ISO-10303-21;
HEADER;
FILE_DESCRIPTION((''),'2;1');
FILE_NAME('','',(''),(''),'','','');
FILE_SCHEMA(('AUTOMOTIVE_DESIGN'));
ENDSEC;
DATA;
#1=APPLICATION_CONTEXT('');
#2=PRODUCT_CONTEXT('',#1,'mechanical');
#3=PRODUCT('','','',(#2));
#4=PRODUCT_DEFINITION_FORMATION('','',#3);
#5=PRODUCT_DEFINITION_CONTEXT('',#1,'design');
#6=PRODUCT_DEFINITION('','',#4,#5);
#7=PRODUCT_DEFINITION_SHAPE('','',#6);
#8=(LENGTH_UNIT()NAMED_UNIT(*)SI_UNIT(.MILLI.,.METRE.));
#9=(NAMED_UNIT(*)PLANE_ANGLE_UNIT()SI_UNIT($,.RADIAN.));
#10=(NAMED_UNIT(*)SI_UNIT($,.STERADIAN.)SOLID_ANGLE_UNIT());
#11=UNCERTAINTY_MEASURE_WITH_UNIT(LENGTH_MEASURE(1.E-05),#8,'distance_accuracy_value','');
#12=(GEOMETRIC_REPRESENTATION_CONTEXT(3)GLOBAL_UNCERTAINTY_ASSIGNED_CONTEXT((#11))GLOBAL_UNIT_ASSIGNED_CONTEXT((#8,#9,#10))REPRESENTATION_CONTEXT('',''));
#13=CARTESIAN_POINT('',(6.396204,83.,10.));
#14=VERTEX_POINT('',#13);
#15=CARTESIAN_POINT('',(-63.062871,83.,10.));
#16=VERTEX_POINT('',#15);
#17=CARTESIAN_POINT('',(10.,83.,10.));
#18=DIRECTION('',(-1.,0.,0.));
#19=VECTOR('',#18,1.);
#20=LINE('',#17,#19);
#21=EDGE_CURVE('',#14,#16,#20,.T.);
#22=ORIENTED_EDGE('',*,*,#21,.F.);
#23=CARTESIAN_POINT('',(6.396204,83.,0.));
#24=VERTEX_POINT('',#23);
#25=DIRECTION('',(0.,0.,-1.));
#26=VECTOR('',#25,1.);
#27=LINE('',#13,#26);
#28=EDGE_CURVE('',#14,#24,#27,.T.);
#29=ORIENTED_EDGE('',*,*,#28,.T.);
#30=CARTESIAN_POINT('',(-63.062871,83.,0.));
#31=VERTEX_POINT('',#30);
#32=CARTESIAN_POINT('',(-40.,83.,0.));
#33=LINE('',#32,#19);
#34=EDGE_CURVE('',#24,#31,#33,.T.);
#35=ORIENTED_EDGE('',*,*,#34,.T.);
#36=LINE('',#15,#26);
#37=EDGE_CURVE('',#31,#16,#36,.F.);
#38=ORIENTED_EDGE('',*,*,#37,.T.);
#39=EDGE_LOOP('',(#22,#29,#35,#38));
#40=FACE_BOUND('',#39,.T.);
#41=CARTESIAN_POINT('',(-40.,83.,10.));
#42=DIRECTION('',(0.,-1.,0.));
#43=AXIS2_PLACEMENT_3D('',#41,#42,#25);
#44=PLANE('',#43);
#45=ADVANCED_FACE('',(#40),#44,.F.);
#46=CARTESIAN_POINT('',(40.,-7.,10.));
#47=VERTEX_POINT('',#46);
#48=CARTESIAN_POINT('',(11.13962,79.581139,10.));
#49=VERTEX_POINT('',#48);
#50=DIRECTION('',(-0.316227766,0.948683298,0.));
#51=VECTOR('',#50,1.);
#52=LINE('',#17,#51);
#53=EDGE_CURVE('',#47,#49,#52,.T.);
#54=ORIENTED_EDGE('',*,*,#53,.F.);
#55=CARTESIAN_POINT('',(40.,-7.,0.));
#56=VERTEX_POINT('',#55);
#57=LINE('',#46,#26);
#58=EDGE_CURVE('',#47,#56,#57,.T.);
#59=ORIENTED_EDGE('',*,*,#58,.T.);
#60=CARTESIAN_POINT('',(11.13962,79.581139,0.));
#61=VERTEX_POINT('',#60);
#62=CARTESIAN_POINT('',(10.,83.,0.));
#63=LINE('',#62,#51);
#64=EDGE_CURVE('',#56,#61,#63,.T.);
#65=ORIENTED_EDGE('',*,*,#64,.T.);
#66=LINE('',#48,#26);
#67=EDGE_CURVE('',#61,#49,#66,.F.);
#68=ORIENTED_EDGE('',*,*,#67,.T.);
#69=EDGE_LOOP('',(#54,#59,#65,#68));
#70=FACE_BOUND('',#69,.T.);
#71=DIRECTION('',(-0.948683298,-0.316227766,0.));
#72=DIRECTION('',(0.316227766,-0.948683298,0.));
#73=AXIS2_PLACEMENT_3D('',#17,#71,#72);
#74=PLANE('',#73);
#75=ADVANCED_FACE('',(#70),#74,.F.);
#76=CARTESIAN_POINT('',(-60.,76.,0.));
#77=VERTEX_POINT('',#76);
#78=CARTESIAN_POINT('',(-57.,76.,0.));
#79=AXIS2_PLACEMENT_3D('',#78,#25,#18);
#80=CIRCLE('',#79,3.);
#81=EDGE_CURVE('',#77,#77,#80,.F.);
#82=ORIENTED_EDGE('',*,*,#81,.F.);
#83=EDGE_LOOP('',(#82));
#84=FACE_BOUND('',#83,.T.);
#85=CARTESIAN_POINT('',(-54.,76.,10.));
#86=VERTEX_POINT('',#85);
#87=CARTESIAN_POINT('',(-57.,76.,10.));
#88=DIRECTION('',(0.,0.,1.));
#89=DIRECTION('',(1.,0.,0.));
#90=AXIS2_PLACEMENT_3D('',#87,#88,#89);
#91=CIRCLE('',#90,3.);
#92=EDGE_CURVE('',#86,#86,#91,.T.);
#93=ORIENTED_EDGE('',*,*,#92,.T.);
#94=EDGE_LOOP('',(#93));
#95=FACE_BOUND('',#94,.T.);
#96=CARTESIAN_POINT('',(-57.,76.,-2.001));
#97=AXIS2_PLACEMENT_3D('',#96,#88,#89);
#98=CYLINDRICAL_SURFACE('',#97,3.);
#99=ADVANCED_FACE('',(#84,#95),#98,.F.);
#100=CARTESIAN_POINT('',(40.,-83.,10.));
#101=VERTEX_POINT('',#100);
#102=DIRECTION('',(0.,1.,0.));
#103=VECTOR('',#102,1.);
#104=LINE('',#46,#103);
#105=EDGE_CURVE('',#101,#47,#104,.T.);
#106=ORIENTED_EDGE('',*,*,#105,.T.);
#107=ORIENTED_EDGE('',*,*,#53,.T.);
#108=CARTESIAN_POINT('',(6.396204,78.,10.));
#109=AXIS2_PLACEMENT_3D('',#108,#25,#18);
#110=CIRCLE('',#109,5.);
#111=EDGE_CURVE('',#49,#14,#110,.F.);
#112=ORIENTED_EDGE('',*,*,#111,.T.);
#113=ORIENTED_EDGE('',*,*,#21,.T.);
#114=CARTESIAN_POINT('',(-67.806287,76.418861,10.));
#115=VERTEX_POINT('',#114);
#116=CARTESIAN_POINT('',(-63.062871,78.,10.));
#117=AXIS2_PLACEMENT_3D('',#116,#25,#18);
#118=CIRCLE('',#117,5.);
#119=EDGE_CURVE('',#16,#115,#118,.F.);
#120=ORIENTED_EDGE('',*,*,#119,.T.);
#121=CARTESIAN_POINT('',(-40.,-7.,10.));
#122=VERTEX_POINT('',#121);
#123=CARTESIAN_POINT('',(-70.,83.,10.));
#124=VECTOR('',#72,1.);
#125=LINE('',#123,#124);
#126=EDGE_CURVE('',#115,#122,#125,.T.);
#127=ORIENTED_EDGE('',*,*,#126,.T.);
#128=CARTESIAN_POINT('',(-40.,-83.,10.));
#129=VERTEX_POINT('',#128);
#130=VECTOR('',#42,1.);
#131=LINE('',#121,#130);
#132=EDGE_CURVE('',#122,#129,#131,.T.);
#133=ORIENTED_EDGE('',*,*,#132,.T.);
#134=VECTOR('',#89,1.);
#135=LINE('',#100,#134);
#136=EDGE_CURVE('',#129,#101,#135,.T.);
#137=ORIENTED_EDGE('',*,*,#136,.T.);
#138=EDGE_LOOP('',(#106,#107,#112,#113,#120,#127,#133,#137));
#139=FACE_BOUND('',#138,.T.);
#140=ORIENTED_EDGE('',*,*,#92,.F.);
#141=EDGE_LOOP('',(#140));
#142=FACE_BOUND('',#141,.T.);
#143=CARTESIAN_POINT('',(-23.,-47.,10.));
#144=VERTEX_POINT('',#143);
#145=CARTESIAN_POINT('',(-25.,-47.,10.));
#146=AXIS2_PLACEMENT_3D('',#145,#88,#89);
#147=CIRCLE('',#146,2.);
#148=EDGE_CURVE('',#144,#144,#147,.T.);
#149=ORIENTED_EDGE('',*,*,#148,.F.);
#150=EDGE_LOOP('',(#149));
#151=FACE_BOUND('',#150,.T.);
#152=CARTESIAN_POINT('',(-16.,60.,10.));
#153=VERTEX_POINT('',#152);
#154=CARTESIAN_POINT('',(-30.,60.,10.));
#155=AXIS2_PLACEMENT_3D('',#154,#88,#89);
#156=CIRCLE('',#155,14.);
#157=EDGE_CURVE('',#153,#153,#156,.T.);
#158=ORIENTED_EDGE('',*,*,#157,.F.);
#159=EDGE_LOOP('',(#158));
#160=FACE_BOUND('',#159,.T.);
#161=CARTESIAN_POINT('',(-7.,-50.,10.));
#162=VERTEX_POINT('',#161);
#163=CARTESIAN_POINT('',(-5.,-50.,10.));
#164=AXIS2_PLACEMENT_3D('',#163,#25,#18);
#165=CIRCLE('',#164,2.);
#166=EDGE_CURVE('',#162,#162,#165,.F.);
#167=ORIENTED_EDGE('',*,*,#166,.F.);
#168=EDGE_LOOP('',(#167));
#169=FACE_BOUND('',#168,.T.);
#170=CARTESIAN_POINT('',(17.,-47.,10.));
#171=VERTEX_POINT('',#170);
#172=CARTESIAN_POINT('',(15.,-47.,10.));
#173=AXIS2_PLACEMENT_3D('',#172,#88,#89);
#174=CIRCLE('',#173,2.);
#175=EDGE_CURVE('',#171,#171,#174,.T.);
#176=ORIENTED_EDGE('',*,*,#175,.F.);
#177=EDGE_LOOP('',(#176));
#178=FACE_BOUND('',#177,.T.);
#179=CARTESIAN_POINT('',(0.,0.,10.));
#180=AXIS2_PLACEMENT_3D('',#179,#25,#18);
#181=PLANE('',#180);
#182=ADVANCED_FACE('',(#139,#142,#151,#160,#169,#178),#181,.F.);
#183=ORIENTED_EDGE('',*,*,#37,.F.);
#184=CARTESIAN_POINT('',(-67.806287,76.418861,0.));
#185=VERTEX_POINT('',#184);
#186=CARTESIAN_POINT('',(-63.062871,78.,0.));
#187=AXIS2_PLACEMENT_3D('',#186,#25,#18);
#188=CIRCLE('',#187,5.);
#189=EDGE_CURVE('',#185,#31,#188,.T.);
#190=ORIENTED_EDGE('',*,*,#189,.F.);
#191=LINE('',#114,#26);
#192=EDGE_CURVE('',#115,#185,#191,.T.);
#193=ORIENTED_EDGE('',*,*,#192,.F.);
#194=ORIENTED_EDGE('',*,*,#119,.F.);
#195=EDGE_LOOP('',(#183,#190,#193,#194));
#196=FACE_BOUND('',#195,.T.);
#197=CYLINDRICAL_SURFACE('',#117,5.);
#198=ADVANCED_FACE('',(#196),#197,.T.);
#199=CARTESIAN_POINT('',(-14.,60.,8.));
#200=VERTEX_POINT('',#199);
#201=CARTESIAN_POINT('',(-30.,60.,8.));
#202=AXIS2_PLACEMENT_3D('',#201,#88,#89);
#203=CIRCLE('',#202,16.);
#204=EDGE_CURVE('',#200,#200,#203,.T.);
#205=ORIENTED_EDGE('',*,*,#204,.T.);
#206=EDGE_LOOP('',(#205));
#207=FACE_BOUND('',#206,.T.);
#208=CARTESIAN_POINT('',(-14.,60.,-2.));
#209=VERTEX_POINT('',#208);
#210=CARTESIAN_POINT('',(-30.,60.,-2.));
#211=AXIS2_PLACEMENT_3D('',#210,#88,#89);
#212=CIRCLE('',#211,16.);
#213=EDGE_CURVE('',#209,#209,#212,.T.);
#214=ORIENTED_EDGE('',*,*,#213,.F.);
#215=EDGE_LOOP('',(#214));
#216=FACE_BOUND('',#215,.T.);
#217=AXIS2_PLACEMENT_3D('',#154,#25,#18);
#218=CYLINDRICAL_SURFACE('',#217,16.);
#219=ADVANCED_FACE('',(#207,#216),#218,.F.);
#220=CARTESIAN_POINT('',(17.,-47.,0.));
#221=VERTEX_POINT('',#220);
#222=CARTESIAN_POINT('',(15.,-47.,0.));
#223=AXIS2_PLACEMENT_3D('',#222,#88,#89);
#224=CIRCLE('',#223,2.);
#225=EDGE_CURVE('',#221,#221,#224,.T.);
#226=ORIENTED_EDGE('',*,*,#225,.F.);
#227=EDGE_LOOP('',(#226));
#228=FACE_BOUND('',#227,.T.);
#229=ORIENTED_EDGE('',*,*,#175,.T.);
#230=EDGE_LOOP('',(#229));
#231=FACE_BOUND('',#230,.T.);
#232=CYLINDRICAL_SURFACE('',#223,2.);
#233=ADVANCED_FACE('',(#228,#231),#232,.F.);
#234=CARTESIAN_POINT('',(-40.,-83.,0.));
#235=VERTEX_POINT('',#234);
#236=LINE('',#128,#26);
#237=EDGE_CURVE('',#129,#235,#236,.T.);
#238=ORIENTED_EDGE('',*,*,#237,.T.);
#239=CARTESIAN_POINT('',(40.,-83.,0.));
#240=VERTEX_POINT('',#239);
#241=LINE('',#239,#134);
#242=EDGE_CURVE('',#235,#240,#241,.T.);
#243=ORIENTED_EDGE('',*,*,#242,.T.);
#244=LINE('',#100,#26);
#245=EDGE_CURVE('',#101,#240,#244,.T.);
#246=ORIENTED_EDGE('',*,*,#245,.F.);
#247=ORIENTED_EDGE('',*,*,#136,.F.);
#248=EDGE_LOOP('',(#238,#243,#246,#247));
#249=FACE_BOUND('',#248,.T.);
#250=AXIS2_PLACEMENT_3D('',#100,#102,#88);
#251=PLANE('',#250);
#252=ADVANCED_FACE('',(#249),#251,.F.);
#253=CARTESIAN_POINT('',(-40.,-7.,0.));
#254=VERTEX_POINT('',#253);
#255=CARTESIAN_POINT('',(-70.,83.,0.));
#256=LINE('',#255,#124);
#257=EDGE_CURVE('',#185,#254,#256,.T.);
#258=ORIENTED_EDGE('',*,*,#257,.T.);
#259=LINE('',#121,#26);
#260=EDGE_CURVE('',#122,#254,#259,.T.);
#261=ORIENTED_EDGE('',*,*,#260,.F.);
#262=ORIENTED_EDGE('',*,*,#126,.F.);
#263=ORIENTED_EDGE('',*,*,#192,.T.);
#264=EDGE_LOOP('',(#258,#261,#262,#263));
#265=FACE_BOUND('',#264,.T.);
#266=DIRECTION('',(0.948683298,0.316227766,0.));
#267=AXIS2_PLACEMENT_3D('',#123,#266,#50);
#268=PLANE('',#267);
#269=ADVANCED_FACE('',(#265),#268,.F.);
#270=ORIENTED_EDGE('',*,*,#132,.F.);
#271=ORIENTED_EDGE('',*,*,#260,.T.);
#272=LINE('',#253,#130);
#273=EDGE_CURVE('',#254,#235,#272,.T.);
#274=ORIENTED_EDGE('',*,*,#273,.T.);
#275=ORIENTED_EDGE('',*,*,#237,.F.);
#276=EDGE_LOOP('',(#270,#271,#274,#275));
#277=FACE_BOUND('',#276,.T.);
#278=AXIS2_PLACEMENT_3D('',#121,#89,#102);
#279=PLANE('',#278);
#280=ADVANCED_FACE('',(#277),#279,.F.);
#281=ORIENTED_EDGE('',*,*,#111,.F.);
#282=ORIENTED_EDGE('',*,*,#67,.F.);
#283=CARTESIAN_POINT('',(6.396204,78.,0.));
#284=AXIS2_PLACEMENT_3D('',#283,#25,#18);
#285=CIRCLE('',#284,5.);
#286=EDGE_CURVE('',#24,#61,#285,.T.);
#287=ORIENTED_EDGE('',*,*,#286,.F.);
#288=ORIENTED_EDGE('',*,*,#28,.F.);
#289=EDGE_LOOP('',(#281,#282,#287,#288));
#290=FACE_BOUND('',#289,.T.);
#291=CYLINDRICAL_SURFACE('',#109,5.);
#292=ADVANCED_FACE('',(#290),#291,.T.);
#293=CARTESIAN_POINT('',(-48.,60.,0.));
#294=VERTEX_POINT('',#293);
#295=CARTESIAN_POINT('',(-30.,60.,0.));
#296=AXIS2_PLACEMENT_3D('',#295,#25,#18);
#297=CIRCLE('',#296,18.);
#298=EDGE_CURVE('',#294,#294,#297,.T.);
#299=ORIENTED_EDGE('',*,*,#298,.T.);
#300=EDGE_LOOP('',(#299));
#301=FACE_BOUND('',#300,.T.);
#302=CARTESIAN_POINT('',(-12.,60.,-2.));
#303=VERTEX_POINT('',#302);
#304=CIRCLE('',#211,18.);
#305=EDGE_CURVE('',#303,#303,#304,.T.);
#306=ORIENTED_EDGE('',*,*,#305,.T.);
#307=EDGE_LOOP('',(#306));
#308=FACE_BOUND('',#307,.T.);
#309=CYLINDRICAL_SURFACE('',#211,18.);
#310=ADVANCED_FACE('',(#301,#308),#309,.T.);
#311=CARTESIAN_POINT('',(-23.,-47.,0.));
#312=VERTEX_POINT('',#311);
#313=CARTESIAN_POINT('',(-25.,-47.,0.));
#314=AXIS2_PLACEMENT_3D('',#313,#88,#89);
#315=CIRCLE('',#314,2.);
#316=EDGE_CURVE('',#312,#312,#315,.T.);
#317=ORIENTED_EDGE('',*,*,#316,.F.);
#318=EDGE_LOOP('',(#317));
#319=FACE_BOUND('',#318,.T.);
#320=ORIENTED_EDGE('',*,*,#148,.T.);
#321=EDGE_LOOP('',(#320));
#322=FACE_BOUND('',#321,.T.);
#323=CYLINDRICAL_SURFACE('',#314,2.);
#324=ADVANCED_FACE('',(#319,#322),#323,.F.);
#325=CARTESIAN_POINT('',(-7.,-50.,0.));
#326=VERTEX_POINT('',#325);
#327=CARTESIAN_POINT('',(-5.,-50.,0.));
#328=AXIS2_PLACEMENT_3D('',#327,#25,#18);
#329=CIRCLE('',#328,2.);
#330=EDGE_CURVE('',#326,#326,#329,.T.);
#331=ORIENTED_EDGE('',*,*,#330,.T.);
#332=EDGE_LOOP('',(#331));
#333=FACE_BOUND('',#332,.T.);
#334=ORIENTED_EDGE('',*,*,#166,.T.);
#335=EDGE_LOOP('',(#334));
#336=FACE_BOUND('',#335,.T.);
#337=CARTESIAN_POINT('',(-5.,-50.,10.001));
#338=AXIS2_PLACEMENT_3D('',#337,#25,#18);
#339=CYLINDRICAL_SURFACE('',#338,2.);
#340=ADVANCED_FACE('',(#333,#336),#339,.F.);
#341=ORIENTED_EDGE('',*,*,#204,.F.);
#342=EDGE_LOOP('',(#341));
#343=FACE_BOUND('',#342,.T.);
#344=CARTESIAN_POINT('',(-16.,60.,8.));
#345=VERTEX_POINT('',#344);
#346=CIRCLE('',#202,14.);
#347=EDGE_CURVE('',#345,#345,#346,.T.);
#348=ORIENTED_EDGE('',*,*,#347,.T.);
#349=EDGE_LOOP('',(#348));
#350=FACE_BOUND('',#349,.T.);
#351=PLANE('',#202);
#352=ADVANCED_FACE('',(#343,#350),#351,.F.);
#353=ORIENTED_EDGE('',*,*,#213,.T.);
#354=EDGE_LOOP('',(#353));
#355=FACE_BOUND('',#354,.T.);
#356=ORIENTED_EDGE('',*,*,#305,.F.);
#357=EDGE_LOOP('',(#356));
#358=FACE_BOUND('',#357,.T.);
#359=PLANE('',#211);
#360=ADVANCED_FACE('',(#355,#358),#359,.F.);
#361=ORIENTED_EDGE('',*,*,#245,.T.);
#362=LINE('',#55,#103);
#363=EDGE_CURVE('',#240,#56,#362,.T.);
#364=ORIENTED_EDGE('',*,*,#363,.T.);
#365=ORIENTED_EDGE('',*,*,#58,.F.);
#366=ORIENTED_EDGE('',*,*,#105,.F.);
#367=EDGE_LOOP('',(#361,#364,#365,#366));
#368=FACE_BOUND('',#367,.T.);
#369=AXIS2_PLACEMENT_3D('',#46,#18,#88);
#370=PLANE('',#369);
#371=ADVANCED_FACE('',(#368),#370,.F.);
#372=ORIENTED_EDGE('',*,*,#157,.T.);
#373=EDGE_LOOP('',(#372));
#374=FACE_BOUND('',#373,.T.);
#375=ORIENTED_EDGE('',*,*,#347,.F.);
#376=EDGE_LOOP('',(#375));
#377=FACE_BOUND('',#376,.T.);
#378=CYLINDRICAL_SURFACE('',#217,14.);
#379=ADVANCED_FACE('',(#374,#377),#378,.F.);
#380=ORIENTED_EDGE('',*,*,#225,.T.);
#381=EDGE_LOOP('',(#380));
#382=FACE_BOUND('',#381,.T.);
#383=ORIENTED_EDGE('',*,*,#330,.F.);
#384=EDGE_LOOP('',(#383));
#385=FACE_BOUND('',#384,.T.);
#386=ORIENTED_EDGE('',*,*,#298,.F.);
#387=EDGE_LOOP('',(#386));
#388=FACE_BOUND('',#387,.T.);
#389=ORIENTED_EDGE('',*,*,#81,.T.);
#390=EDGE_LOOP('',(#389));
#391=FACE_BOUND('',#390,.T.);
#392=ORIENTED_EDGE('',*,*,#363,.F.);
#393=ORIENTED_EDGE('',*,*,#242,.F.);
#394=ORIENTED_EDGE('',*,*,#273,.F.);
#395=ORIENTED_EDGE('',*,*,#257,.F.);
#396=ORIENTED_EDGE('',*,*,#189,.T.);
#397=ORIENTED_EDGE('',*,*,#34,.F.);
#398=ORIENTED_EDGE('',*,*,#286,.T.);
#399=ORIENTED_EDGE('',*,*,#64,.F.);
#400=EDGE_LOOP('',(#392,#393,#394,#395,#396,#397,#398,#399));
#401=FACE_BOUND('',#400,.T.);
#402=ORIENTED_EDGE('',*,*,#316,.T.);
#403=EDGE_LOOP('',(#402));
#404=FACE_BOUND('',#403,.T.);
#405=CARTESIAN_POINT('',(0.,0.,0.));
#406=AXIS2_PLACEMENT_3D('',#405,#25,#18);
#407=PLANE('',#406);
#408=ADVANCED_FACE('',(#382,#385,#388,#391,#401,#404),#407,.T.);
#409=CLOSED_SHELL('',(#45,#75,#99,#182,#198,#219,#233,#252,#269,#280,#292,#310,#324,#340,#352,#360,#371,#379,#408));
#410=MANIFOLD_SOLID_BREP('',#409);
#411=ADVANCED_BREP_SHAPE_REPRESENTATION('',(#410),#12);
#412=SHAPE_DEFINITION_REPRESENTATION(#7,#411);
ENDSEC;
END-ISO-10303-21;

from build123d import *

# Parameters (mm, degrees)
SKETCH1_R           = 16
BOSS_EXTRUDE1_DEPTH = 10
SKETCH2_R           = 18
SKETCH2_R_2         = 16
BOSS_EXTRUDE2_DEPTH = 12
SKETCH3_R           = 2
CUT_EXTRUDE1_DEPTH  = 10
CUT_EXTRUDE2_REACH  = 14
SKETCH4_R           = 3
CUT_EXTRUDE3_REACH  = 12
SKETCH5_R           = 2
FILLET1_R           = 5
BOSS_EXTRUDE3_START = -2
SKETCH7_R           = 16
SKETCH7_R_2         = 14
BOSS_EXTRUDE3_DEPTH = 2


with BuildPart() as part:
    # Sketch1 → Boss-Extrude1 (new body)
    with BuildSketch(Plane.XY):
        Polygon((-40, 83), (-70, 83), (-40, -7), (-40, -83), (40, -83), (40, -7), (10, 83), align=None)
        with Locations((-30, 60)):
            Circle(SKETCH1_R, mode=Mode.SUBTRACT)
    extrude(amount=BOSS_EXTRUDE1_DEPTH)

    # Sketch2 → Boss-Extrude2 (add)
    with BuildSketch(Plane.XY.offset(10)):
        with Locations((-30, 60)):
            Circle(SKETCH2_R)
        with Locations((-30, 60)):
            Circle(SKETCH2_R_2, mode=Mode.SUBTRACT)
    extrude(amount=-BOSS_EXTRUDE2_DEPTH)

    # Sketch3 → Cut-Extrude1 (cut)
    with BuildSketch(Plane.XY.offset(10)):
        with Locations((-25, -47)):
            Circle(SKETCH3_R)
        with Locations((15, -47)):
            Circle(SKETCH3_R)
    extrude(amount=-CUT_EXTRUDE1_DEPTH, mode=Mode.SUBTRACT)

    # Sketch4 → Cut-Extrude2 (cut, up to next)
    with BuildSketch(Plane.XY.offset(10), mode=Mode.PRIVATE) as cut_extrude2_sk1:
        with Locations((-57, 76)):
            Circle(SKETCH4_R)
    cut_extrude2_tool1 = extrude(cut_extrude2_sk1.sketch, amount=-CUT_EXTRUDE2_REACH, mode=Mode.PRIVATE) & part.part
    add(cut_extrude2_tool1.solids().sort_by_distance((-57, 76, 10))[0], mode=Mode.SUBTRACT)

    # Sketch5 → Cut-Extrude3 (cut, up to next)
    with BuildSketch(Plane(origin=(0, 0, 0), x_dir=(-1, 0, 0), z_dir=(0, 0, -1)), mode=Mode.PRIVATE) as cut_extrude3_sk1:
        with Locations((5, -50)):
            Circle(SKETCH5_R)
    cut_extrude3_tool1 = extrude(cut_extrude3_sk1.sketch, amount=-CUT_EXTRUDE3_REACH, mode=Mode.PRIVATE) & part.part
    add(cut_extrude3_tool1.solids().sort_by_distance((-5, -50, 0))[0], mode=Mode.SUBTRACT)

    # Fillet1
    fillet1_edges = [part.edges().sort_by_distance(p)[0] for p in [
        (-70, 83, 5),
        (10, 83, 5),
    ]]
    fillet(fillet1_edges, radius=FILLET1_R)

    # Sketch7 → Boss-Extrude3 (add)
    with BuildSketch(Plane.XY.offset(10).offset(BOSS_EXTRUDE3_START)):
        with Locations((-30, 60)):
            Circle(SKETCH7_R)
        with Locations((-30, 60)):
            Circle(SKETCH7_R_2, mode=Mode.SUBTRACT)
    extrude(amount=BOSS_EXTRUDE3_DEPTH)


solid = part.part
